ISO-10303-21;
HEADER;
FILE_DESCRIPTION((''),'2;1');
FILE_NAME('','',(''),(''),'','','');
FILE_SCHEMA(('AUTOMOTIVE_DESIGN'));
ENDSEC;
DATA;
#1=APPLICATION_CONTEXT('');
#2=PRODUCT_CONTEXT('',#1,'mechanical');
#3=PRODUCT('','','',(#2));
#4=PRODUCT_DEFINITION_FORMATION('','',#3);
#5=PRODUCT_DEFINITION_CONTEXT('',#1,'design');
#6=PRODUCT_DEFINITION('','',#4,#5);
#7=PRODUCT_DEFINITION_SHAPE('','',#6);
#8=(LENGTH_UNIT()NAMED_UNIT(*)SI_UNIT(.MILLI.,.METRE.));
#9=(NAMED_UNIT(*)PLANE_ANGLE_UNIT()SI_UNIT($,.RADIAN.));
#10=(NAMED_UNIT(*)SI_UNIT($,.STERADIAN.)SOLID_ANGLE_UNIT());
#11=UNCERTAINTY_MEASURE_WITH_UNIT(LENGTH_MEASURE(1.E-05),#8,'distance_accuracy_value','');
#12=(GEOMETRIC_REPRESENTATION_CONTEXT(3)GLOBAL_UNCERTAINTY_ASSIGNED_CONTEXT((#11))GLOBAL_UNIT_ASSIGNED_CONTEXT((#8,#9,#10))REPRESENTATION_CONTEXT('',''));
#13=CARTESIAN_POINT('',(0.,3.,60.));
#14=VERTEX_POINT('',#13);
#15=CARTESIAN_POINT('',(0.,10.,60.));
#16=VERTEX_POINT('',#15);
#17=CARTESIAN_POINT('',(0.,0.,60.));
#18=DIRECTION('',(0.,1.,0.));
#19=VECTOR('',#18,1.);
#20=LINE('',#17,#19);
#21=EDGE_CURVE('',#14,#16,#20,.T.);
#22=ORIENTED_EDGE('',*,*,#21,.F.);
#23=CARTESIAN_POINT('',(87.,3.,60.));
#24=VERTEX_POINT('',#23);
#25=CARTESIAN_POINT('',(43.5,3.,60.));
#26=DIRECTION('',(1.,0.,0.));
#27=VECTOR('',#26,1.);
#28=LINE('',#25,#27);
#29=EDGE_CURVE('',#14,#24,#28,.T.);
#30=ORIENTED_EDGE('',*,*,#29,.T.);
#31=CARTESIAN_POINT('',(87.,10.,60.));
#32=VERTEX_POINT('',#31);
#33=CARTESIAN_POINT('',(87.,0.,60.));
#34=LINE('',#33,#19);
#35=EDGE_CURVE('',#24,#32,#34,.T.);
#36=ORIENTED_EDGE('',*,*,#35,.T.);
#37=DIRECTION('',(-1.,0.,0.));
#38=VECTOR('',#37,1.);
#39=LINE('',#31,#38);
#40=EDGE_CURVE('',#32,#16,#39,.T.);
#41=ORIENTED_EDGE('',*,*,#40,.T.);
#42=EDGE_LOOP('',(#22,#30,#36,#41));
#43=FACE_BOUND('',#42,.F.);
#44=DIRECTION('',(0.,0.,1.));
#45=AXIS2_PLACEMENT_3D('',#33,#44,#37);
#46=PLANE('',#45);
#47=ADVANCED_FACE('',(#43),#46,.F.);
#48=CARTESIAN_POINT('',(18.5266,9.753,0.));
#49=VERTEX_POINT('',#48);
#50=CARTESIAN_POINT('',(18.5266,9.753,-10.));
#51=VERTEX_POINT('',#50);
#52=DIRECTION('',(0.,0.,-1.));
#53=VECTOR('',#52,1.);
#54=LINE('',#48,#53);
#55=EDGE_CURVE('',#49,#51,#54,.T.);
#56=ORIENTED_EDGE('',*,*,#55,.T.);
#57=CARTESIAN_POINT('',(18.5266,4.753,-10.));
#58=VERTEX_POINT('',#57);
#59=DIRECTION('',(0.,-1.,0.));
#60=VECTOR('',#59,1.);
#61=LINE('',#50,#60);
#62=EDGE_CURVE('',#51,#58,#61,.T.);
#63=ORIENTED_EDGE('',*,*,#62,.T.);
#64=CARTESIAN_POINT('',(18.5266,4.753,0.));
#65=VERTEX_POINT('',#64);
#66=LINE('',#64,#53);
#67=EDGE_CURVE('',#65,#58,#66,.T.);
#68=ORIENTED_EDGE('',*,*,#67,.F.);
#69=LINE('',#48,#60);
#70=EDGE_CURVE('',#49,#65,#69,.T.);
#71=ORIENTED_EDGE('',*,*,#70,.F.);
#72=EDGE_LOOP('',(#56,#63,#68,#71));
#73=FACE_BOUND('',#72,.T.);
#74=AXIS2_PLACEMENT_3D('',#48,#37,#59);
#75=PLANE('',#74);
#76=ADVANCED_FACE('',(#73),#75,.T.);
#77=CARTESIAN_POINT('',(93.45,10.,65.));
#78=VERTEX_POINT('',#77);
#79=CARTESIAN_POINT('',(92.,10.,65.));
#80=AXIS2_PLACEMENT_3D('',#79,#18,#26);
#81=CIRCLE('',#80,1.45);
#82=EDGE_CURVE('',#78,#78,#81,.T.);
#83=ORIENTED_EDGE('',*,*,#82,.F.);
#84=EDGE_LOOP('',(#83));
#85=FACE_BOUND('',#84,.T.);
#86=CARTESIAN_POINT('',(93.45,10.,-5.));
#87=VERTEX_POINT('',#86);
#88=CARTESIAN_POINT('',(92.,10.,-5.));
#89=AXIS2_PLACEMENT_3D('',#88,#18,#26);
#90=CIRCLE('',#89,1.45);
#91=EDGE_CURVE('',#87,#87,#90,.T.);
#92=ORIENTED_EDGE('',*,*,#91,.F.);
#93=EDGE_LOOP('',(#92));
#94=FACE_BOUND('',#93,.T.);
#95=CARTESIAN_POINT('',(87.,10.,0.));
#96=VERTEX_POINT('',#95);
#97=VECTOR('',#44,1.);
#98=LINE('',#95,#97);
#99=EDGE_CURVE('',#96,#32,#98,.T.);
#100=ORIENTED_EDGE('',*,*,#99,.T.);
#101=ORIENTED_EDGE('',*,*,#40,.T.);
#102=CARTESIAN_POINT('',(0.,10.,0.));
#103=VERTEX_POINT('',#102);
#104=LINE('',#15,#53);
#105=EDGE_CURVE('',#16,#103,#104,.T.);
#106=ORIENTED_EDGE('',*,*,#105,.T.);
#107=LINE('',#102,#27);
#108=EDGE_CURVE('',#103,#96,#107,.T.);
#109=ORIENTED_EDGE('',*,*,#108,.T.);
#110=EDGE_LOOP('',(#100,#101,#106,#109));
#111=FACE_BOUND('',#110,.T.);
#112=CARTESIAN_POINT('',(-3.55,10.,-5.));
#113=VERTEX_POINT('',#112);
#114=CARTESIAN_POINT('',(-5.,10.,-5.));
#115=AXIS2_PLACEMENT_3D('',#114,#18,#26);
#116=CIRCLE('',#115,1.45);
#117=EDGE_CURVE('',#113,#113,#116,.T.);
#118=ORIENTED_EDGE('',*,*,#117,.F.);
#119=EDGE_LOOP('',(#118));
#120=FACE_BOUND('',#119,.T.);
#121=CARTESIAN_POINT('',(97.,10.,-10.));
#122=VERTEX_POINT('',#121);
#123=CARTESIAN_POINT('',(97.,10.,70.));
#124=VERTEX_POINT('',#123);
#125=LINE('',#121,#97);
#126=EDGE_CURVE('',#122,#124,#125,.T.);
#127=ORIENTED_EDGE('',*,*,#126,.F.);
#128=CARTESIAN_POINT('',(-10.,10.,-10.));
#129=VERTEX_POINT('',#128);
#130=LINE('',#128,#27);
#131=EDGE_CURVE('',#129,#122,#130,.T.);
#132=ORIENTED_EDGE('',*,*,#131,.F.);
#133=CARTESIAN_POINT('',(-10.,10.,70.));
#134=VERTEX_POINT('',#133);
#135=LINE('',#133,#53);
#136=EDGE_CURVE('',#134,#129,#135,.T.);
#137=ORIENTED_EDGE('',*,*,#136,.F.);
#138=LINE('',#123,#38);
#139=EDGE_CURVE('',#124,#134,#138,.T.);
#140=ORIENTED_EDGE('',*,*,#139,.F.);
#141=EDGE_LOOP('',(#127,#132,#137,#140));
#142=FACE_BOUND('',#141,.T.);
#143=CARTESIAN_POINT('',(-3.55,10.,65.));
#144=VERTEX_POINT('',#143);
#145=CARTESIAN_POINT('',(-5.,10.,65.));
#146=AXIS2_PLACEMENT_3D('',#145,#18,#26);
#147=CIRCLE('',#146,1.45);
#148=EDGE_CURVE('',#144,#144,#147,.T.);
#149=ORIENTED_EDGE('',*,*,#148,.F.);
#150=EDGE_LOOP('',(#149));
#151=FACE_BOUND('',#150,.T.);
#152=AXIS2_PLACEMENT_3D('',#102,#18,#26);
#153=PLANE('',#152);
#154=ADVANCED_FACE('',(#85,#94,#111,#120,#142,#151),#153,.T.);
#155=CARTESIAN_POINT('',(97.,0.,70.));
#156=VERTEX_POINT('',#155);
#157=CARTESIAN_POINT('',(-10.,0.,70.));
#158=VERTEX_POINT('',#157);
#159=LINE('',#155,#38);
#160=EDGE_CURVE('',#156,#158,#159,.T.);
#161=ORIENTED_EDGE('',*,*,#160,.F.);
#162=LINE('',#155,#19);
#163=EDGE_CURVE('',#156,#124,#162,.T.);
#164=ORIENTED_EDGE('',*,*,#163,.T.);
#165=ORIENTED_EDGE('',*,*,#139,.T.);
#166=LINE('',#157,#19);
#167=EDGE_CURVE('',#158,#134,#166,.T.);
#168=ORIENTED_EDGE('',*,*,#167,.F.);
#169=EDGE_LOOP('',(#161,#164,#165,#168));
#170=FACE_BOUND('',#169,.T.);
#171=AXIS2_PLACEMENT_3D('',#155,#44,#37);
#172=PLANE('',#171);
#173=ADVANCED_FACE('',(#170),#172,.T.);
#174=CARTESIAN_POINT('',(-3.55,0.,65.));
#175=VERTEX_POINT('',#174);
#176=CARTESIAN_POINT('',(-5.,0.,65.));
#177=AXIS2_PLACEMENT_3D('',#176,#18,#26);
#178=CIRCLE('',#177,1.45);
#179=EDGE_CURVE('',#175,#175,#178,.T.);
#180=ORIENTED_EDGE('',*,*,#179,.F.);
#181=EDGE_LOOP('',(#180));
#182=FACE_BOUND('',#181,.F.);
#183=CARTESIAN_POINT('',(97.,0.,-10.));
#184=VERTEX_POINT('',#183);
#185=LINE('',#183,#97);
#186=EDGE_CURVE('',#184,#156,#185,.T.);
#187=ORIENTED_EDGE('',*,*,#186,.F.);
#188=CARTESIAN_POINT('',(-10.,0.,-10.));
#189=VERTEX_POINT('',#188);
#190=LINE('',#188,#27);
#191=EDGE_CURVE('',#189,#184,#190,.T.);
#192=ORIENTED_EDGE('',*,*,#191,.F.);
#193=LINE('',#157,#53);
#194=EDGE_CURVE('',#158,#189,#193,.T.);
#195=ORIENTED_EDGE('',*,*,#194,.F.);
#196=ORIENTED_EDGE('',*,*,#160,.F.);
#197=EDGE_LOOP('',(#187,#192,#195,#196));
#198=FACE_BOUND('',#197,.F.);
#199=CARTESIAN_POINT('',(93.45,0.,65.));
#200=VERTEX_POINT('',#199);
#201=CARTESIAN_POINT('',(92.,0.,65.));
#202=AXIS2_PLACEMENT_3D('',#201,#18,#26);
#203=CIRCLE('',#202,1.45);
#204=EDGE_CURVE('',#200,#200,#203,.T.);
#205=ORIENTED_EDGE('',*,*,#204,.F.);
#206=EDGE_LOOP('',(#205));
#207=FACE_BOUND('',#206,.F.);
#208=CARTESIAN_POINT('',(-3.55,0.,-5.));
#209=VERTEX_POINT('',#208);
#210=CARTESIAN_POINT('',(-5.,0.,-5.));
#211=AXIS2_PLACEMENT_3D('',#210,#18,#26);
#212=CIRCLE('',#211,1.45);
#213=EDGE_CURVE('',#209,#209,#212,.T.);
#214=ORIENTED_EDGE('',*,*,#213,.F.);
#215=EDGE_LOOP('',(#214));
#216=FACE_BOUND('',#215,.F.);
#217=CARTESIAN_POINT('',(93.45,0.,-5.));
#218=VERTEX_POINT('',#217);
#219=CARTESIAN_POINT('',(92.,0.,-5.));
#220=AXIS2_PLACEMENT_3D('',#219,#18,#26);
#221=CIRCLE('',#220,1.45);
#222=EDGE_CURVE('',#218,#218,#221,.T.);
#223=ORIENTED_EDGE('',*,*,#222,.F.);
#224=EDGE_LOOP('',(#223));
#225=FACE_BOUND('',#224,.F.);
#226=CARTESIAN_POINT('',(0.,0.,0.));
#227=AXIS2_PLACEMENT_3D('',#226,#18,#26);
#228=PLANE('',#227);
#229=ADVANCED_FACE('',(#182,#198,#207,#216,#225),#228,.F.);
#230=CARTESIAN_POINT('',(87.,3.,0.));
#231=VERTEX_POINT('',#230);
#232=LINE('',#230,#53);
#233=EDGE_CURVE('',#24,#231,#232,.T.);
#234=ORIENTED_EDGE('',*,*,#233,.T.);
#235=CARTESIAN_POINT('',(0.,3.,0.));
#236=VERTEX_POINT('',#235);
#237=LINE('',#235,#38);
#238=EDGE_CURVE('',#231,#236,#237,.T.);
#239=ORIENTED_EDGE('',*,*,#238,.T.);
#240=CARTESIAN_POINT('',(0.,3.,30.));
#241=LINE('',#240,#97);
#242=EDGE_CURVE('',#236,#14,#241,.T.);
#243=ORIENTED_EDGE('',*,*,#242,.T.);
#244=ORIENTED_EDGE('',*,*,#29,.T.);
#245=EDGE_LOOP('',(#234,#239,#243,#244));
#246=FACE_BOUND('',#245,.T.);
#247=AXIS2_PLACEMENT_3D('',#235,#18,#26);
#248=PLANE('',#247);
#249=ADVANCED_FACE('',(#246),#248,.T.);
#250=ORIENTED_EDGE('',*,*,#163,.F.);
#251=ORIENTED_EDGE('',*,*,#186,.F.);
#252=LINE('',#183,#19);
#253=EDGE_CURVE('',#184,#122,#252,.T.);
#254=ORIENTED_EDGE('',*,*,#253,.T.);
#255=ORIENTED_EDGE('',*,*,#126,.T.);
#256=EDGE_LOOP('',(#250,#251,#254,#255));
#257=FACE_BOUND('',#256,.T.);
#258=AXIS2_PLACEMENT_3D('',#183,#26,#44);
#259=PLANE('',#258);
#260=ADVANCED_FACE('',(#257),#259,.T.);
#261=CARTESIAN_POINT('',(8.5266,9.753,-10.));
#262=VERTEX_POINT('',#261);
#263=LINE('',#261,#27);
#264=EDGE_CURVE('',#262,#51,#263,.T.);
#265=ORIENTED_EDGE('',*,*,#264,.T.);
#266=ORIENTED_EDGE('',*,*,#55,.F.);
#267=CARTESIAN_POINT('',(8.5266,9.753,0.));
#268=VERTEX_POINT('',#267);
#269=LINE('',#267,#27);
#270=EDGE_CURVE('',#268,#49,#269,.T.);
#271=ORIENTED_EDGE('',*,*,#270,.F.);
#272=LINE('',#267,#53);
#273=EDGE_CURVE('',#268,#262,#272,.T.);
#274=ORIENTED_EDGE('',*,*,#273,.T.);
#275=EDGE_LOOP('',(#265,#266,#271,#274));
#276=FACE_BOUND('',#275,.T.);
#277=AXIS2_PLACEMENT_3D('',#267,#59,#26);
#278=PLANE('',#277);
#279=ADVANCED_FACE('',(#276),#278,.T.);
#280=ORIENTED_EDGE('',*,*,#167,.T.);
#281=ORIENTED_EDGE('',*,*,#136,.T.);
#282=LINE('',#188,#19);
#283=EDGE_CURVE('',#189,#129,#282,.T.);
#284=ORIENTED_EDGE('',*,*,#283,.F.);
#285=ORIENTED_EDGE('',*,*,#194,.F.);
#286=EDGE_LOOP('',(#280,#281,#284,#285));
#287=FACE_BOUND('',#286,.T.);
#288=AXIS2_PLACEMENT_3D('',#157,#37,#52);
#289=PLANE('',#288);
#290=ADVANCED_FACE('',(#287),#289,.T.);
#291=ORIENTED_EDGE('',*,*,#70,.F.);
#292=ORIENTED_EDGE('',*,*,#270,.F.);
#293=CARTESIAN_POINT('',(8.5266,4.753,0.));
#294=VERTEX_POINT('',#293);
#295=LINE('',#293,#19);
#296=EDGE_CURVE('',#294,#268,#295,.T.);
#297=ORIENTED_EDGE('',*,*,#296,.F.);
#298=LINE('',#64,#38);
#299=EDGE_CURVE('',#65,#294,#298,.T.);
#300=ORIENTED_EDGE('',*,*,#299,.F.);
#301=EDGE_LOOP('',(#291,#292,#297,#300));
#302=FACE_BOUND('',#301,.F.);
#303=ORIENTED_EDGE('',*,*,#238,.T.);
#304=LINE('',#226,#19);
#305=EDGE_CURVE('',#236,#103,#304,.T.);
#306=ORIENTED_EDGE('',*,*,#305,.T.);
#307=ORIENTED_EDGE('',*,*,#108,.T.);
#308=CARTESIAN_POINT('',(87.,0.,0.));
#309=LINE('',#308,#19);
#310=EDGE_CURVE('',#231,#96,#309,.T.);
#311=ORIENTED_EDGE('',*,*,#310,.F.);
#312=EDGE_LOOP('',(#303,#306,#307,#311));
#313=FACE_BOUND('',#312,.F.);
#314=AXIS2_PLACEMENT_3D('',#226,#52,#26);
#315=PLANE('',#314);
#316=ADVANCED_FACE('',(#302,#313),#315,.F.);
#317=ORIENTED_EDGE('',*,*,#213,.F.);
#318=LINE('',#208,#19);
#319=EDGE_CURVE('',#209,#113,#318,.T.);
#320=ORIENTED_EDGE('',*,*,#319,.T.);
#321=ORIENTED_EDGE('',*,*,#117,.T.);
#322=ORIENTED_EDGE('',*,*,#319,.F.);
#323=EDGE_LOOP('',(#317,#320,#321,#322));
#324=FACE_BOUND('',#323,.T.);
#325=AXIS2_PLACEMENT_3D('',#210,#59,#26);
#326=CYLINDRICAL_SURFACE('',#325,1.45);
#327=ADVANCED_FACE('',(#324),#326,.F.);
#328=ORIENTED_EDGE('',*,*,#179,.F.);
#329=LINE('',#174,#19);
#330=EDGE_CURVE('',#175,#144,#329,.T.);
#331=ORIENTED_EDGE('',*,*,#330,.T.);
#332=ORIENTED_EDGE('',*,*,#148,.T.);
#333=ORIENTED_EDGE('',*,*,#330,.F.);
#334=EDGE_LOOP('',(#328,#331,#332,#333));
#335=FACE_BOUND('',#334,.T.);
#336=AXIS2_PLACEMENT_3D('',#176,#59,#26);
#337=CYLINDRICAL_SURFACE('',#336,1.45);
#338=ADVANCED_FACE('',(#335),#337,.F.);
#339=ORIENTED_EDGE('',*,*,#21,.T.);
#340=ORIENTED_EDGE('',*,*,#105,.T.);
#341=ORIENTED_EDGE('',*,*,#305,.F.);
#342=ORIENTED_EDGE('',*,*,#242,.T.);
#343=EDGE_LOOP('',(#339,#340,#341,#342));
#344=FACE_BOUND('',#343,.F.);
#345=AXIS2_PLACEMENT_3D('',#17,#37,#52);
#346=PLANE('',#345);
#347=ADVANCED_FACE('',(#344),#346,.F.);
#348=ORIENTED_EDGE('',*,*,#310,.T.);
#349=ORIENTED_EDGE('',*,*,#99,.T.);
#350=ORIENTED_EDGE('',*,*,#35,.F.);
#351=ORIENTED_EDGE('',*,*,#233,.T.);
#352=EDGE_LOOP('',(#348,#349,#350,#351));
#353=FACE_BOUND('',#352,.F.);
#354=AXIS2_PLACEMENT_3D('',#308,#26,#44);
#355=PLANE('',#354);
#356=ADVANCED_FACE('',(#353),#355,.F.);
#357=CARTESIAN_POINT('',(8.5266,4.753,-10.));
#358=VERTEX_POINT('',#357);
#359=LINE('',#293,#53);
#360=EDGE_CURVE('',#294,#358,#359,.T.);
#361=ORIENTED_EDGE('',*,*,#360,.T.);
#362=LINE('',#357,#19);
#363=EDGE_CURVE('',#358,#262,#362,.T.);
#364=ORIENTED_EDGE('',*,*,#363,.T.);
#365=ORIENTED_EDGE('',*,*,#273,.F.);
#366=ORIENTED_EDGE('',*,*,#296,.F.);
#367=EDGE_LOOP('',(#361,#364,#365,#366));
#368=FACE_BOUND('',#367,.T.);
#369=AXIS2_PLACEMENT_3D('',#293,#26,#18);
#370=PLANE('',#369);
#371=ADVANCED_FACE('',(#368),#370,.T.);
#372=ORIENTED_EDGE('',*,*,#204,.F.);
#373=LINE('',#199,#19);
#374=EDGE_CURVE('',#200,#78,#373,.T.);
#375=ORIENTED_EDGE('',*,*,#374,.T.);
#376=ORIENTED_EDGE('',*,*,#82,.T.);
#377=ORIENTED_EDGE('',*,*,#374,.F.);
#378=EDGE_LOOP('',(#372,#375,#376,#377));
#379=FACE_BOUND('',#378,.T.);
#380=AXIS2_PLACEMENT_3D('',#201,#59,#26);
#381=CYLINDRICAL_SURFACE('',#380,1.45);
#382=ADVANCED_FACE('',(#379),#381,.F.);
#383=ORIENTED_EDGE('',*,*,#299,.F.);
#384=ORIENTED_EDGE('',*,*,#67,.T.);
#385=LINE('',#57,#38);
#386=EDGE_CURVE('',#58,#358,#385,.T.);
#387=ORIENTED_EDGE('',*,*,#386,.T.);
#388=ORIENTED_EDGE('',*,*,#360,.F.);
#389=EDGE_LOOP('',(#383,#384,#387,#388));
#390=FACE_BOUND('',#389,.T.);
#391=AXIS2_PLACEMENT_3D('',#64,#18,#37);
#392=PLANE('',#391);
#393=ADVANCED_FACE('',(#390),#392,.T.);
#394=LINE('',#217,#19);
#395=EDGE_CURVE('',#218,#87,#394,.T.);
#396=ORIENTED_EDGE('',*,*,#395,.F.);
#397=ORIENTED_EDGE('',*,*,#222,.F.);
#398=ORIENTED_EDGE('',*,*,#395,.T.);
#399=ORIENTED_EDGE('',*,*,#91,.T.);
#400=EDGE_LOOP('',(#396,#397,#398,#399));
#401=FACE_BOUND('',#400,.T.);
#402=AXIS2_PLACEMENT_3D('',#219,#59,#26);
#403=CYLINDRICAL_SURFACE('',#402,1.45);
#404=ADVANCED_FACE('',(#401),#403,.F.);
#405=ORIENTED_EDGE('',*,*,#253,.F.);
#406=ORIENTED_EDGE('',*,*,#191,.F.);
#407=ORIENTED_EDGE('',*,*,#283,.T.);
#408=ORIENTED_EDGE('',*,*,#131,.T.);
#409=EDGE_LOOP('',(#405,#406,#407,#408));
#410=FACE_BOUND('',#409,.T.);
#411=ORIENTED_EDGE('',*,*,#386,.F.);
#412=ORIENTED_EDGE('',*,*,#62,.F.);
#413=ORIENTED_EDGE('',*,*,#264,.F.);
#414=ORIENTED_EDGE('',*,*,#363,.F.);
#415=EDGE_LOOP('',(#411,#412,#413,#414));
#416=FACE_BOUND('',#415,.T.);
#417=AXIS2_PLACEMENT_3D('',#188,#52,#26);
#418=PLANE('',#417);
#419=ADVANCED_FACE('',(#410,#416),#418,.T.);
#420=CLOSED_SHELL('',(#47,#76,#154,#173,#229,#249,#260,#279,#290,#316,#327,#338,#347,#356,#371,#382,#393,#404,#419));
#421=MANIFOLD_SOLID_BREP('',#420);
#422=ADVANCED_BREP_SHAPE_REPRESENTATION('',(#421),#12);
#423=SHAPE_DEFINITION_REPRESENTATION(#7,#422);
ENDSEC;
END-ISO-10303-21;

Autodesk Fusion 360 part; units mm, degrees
sketch "Sketch1" plane through (0, 0, 0) normal (0, 1, 0) x (1, 0, 0)
  line L0 (0, 0) -> (87, 0)
  line L1 (87, 0) -> (87, -60)
  line L2 (87, -60) -> (0, -60)
  line L3 (0, -60) -> (0, 0)
  line L4 (-10, 10) -> (97, 10)
  line L5 (97, 10) -> (97, -70)
  line L6 (97, -70) -> (-10, -70)
  line L7 (-10, -70) -> (-10, 10)
  circle A0 centre (-5, 5) radius 1.45
  circle A1 centre (-5, -65) radius 1.45
  circle A2 centre (92, -65) radius 1.45
  circle A3 centre (92, 5) radius 1.45
  dimension "d1" = 87
  dimension "d2" = 60
  dimension "d3" = 107
  dimension "d4" = 80
  dimension "d5" = 10
  dimension "d6" = 2.9
  dimension "d7" = 5
  dimension "d8" = 2.9
  dimension "d9" = 5
  dimension "d10" = 5
  dimension "d11" = 2.9
  dimension "d12" = 5
  dimension "d13" = 5
  dimension "d14" = 2.9
  dimension "d15" = 5
  dimension "d16" = 5
extrude "Extrude1" add sketch "Sketch1" along normal blind 3 contours L0 L1 L2 L3 | L4 L5 L6 L7
extrude "Extrude2" cut sketch "Sketch1" along normal blind 10
extrude "Extrude3" add sketch "Sketch1" along normal blind 10
sketch "Sketch3" plane through (0, 0, 0) normal (0, 0, 1) x (1, 0, 0)
  line L0 (8.5266, 9.753) -> (18.5266, 9.753)
  line L1 (18.5266, 9.753) -> (18.5266, 4.753)
  line L2 (18.5266, 4.753) -> (8.5266, 4.753)
  line L3 (8.5266, 4.753) -> (8.5266, 9.753)
  dimension "d23" = 10
  dimension "d24" = 5
extrude "Extrude4" cut sketch "Sketch3" against normal blind 10
